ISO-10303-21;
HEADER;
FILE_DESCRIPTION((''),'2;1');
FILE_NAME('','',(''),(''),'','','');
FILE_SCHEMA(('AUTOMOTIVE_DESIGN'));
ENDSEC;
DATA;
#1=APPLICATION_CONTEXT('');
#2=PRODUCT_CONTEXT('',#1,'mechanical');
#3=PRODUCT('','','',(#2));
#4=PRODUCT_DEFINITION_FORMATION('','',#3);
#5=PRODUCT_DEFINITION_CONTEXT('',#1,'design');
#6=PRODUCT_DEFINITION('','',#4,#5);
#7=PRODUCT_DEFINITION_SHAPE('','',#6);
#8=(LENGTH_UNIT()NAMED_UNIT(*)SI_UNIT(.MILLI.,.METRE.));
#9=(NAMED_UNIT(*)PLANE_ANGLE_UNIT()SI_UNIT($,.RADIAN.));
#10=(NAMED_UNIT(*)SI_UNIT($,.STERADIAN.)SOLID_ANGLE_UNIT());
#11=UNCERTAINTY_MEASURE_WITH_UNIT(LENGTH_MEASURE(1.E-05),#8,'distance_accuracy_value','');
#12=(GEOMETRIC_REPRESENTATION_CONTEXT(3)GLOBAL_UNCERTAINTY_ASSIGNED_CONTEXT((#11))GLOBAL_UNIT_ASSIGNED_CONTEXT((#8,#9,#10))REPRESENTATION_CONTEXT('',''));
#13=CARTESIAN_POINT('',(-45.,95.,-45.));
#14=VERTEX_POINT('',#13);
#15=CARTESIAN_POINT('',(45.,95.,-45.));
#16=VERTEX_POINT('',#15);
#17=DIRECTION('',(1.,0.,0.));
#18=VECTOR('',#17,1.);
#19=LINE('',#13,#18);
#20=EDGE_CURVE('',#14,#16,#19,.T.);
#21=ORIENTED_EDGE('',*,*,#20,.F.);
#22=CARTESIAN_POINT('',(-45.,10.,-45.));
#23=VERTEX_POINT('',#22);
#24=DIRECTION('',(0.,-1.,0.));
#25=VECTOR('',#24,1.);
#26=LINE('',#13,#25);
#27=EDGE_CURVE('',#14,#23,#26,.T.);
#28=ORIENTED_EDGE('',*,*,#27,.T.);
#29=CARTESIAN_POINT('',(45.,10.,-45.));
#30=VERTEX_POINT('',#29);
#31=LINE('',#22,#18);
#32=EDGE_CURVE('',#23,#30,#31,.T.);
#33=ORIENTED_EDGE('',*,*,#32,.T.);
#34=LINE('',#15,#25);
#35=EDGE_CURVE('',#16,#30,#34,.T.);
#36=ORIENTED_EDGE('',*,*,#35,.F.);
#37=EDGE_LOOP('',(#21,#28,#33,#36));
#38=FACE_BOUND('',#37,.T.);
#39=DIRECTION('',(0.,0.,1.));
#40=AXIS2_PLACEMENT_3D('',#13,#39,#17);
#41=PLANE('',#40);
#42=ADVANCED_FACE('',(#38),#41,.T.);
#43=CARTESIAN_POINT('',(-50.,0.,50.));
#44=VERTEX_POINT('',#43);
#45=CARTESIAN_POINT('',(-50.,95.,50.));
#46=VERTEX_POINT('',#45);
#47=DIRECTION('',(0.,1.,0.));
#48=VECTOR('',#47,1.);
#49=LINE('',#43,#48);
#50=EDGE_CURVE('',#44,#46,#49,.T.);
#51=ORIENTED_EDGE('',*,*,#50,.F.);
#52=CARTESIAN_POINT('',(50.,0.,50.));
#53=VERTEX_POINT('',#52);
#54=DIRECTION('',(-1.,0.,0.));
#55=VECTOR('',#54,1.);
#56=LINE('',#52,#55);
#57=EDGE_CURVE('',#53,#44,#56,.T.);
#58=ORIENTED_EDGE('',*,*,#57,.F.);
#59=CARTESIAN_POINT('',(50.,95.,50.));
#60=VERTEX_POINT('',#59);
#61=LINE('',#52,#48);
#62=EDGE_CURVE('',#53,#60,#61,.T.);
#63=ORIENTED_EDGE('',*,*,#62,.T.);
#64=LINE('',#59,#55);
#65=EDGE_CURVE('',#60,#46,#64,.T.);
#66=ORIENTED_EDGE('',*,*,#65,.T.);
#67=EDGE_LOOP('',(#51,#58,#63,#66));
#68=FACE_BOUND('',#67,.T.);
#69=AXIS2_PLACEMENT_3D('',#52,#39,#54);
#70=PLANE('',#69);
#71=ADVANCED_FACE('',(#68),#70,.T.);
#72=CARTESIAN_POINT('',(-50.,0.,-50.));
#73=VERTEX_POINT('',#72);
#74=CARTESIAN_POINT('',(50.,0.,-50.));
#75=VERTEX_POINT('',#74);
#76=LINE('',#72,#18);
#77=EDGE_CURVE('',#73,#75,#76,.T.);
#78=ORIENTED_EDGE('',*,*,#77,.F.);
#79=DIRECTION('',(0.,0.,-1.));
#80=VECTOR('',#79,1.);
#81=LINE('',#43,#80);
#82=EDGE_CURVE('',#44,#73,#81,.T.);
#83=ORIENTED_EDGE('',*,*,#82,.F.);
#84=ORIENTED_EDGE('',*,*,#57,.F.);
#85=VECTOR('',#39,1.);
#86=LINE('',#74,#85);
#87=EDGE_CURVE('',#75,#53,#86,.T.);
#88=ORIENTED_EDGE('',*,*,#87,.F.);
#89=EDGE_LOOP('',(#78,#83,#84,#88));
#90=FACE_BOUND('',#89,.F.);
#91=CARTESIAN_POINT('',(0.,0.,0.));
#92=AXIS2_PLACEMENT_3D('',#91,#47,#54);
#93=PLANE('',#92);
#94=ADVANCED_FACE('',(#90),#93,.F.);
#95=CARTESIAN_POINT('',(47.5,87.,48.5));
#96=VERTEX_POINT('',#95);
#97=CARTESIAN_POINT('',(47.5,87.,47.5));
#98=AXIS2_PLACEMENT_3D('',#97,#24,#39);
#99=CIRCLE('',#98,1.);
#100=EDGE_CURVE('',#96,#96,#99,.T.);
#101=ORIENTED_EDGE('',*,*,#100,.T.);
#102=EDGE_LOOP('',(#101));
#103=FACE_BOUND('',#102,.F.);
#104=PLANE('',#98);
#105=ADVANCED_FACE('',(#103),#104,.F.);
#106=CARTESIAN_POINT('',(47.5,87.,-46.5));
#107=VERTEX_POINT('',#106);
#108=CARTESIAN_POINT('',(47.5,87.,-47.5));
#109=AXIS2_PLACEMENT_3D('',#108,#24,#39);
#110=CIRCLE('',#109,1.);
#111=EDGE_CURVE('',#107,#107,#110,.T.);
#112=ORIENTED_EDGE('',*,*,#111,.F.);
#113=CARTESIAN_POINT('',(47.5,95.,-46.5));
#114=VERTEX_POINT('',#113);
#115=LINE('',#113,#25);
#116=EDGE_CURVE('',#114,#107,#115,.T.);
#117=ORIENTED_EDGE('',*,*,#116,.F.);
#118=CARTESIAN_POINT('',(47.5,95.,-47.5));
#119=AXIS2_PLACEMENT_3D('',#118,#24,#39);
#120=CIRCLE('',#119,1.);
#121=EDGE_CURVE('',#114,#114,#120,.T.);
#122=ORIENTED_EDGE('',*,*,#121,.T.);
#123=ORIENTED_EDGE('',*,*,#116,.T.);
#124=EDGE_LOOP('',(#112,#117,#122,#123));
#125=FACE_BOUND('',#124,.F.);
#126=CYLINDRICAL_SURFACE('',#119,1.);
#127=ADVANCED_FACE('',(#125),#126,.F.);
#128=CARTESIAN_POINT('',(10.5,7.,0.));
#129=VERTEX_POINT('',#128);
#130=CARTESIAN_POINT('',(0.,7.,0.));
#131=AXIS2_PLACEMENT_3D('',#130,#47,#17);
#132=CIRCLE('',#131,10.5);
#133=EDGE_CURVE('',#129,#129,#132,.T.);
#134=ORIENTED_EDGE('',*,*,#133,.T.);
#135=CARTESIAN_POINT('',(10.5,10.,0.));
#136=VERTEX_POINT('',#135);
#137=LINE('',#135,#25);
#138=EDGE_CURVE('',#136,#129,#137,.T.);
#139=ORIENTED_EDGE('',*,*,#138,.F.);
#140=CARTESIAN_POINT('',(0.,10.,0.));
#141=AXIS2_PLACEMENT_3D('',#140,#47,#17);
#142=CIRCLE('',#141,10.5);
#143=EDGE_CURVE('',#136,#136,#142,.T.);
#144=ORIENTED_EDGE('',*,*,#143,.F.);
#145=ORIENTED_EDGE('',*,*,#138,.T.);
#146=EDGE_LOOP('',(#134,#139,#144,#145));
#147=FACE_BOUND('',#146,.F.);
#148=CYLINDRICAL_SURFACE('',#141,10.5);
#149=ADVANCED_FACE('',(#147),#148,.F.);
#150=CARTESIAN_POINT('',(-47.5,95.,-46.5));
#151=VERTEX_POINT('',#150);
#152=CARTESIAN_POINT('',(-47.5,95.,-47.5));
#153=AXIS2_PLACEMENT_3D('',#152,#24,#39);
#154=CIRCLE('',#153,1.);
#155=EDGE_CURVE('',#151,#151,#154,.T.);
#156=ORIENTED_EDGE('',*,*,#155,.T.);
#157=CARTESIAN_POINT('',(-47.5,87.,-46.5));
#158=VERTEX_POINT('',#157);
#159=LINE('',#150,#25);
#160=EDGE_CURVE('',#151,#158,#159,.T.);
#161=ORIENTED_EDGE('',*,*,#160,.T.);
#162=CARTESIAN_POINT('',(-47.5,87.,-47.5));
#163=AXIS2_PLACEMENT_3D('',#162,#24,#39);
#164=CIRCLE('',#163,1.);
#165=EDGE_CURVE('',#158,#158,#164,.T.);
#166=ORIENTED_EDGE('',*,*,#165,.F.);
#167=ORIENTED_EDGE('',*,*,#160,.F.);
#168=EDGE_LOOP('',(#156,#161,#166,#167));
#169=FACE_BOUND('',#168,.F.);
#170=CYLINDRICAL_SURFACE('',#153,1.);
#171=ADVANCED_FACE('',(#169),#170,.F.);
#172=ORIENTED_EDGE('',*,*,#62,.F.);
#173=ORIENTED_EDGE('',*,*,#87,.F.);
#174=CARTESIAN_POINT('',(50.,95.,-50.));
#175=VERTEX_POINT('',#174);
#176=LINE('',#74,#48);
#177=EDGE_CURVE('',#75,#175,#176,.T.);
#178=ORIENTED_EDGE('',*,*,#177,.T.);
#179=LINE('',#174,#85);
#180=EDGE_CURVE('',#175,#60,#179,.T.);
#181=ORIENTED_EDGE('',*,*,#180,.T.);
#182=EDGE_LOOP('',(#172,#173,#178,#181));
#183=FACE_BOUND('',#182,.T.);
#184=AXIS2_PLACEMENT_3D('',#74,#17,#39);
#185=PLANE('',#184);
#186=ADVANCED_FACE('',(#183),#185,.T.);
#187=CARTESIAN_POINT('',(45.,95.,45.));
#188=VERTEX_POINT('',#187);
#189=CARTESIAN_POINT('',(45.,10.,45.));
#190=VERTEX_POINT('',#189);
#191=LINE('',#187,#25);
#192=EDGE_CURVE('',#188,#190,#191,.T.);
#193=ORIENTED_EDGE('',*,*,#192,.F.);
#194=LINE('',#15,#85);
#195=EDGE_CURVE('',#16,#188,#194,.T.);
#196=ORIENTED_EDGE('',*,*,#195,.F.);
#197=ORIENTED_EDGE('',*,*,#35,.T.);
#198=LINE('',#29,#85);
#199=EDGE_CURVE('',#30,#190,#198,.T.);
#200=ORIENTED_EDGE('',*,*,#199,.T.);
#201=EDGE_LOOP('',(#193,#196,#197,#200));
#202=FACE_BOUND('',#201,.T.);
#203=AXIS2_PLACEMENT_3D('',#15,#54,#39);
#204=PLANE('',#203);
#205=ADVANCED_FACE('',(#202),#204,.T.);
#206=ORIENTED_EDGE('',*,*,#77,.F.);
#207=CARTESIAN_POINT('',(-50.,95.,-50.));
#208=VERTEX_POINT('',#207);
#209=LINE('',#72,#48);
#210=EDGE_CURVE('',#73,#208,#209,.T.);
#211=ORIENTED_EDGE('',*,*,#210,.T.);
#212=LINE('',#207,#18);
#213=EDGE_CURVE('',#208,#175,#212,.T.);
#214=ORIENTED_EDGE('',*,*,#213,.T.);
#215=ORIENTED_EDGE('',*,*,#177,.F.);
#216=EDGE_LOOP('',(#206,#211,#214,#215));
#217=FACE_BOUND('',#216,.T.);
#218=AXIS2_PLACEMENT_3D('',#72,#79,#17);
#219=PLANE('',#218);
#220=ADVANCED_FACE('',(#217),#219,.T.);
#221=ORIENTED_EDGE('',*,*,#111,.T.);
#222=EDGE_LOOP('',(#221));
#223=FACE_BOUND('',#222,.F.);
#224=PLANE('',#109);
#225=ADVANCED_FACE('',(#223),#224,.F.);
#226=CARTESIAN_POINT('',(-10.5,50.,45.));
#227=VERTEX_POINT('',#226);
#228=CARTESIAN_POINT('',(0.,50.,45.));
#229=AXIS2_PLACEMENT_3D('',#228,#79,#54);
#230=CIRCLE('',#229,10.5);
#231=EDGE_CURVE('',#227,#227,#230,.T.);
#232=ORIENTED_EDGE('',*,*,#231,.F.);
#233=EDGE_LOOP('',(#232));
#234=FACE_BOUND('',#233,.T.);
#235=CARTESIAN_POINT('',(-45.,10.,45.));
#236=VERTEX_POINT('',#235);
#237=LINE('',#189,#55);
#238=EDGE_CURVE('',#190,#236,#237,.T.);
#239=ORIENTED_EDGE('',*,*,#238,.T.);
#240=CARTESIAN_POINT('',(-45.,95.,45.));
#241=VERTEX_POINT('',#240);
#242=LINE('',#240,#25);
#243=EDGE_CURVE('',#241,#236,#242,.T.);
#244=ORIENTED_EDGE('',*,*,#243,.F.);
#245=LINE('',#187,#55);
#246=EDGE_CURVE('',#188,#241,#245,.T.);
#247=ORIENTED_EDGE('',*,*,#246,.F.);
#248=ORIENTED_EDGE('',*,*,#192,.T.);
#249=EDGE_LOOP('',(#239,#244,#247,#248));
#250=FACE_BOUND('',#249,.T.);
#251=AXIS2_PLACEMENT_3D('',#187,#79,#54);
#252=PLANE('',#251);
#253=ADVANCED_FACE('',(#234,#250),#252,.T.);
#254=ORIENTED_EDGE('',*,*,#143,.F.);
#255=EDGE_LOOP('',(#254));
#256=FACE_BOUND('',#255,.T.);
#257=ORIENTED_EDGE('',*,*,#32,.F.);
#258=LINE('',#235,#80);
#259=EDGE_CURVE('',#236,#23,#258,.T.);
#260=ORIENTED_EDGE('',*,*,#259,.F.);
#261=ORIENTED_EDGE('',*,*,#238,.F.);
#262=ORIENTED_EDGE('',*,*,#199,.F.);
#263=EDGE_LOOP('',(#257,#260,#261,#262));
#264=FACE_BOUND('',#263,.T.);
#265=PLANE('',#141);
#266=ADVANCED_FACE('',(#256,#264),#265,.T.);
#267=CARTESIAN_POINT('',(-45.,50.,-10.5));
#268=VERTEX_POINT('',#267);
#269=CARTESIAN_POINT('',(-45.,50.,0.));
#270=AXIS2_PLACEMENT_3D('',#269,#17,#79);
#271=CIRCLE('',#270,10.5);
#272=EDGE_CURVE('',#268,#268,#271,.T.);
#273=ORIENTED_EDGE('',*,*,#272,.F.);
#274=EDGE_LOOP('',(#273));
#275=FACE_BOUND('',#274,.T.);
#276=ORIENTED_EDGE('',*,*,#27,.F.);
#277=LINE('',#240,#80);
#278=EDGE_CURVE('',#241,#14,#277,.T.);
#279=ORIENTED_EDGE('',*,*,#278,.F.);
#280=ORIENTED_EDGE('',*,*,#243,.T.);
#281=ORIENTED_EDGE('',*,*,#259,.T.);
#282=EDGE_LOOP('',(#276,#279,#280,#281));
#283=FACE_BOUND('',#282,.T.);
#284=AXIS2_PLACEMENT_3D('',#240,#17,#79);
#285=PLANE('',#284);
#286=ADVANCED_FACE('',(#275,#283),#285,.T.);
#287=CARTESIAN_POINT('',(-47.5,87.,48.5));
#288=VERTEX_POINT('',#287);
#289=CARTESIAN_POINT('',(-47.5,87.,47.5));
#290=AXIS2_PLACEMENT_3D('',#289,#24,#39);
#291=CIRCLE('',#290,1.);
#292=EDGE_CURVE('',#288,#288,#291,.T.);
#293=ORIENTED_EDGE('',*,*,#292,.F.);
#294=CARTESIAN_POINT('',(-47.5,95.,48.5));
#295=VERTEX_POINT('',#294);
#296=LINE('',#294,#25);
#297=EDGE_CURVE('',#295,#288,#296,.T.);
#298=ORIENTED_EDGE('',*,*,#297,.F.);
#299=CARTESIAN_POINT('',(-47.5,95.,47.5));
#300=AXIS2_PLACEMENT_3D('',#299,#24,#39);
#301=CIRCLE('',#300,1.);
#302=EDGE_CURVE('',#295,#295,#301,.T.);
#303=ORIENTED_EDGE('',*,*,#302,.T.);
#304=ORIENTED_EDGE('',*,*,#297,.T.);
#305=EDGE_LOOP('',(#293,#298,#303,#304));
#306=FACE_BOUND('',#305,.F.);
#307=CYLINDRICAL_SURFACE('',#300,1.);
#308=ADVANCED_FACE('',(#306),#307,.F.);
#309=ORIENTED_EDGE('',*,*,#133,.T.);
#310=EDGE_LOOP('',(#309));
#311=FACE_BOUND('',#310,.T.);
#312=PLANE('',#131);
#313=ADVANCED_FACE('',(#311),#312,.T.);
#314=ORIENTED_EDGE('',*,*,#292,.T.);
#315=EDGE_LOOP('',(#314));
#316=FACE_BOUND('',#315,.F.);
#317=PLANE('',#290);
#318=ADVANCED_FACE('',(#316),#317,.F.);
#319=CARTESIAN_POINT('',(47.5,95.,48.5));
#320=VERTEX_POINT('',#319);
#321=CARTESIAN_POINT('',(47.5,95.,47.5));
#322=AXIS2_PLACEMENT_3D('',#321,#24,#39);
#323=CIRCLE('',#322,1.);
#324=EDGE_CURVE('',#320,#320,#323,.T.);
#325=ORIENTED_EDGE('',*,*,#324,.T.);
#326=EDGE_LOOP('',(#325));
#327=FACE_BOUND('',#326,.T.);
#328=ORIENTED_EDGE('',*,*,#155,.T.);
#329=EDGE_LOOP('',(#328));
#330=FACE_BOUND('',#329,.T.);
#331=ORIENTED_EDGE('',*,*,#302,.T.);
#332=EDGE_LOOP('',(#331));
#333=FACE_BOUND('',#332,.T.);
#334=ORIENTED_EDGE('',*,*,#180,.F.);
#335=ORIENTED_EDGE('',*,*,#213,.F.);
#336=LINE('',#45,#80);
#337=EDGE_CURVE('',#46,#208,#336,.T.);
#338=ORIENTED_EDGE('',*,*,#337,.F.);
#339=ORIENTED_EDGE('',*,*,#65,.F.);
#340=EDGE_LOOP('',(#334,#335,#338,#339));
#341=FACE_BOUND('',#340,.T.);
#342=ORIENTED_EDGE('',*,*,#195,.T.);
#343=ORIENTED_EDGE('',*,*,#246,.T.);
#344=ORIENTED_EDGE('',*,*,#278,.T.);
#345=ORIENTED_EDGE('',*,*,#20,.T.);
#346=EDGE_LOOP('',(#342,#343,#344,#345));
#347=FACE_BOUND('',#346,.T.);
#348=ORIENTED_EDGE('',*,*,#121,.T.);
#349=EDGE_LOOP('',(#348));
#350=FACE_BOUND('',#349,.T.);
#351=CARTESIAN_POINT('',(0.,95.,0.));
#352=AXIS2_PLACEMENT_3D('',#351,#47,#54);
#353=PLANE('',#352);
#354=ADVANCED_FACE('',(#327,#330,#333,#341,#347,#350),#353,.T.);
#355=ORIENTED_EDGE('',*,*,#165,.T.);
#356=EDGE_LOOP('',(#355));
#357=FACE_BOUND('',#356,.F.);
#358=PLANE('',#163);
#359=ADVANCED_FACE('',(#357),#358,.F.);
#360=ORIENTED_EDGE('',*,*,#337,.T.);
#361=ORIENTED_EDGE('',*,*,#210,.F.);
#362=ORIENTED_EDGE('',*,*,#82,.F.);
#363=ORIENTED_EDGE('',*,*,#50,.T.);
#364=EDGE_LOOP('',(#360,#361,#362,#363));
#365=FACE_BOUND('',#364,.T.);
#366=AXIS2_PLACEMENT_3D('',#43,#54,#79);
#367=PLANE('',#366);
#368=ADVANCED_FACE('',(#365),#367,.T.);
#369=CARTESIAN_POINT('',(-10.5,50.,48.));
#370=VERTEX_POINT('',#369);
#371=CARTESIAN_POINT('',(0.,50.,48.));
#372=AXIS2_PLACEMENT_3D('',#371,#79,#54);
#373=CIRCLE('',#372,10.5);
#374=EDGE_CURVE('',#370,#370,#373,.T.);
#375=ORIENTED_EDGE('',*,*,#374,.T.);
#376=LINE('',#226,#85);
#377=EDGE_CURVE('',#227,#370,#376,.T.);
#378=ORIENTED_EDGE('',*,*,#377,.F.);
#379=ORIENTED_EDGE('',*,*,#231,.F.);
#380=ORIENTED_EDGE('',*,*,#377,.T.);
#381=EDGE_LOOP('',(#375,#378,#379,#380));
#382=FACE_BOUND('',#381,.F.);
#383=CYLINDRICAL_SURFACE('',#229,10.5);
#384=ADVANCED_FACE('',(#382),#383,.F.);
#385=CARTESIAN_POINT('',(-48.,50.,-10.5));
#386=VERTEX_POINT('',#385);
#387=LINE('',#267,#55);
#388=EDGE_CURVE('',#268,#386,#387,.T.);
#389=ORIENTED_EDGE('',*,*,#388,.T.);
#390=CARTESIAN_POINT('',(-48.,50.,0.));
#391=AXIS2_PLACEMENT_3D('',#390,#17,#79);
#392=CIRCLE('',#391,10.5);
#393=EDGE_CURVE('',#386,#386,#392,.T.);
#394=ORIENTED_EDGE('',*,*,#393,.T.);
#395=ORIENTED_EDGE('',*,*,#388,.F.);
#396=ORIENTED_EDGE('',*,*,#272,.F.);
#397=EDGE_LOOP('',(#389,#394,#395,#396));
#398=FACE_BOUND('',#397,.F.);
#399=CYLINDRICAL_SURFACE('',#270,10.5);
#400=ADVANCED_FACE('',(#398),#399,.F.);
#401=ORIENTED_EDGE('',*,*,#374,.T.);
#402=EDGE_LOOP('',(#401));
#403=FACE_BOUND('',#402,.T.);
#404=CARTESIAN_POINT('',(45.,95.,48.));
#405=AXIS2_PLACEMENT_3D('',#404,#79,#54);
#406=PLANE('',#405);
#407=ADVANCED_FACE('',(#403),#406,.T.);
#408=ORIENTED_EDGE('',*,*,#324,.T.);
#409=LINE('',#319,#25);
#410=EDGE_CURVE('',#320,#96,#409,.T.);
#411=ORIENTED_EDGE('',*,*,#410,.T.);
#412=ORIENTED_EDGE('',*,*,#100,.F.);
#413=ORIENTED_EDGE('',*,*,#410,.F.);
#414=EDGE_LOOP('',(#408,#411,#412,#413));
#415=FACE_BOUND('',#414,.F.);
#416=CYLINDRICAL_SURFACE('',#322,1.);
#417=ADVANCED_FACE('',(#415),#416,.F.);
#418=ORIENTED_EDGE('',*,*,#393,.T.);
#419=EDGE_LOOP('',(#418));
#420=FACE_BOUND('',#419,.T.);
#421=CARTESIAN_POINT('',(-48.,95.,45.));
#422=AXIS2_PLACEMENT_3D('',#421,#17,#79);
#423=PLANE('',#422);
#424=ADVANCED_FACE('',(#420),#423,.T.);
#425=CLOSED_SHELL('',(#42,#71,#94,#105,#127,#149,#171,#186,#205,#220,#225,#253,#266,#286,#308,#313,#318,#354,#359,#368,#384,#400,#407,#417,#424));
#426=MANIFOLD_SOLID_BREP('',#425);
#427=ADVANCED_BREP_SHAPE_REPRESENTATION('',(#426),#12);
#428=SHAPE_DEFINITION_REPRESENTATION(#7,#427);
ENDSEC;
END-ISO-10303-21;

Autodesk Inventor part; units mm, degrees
ref_plane "YZ Plane" through (0, 0, 0) normal (1, 0, 0) x (0, 1, 0)
ref_plane "XZ Plane" through (0, 0, 0) normal (0, 1, 0) x (-1, 0, 0)
ref_plane "XY Plane" through (0, 0, 0) normal (0, 0, 1) x (1, 0, 0)
sketch "Sketch1" plane through (0, 0, 0) normal (0, 1, 0) x (-1, 0, 0)
  line L0 (50, -50) -> (-50, -50)
  line L1 (-50, -50) -> (-50, 50)
  line L2 (-50, 50) -> (50, 50)
  line L3 (50, 50) -> (50, -50)
  point P0 (0, 0)
  point P1 (0, 0)
  dimension "d0" = 100
  dimension "d1" = 100
  dimension "d2" = 50
extrude "Extrusion1" add sketch "Sketch1" along normal blind 95
sketch "Sketch2" plane through (0, 95, 0) normal (0, 1, 0) x (1, 0, 0)
  line L0 (-45, 45) -> (45, 45)
  line L1 (45, 45) -> (45, -45)
  line L2 (45, -45) -> (-45, -45)
  line L3 (-45, -45) -> (-45, 45)
  line L4 (50, -50) -> (50, 50) projected
  line L5 (-50, 50) -> (-50, -50) projected
  line L6 (-50, -50) -> (50, -50) projected
  line L7 (-50, 50) -> (50, 50) projected
  point P0 (0, 0)
  dimension "d5" = 5
  dimension "d6" = 5
  dimension "d7" = 5
  dimension "d8" = 5
extrude "Extrusion2" cut sketch "Sketch2" against normal blind 85 contours L0 L1 L2 L3
sketch "Sketch3" plane through (0, 95, 0) normal (0, 1, 0) x (1, 0, 0)
  line L0 (50, -50) -> (50, 50) projected
  circle A0 centre (47.5, 47.5) radius 1
  line L1 (-50, 50) -> (50, 50) projected
  line L2 (-50, -50) -> (50, -50) projected
  circle A1 centre (47.5, -47.5) radius 1
  line L3 (-50, 50) -> (-50, -50) projected
  circle A2 centre (-47.5, -47.5) radius 1
  circle A3 centre (-47.5, 47.5) radius 1
  point P0 (0, 0)
  point P1 (47.5, -47.5)
  dimension "d12" = 2.5
  dimension "d13" = 2.5
  dimension "d14" = 2.5
  dimension "d15" = 2.5
  dimension "d16" = 2
  dimension "d17" = 2.5
  dimension "d18" = 2.5
  dimension "d19" = 2.5
  dimension "d20" = 2.5
hole "Hole2" at (47.5, 95, -47.5) at (47.5, 95, 47.5) at (-47.5, 95, 47.5) at (-47.5, 95, -47.5) direction (0, -1, 0) diameter 2 depth 8
sketch "Sketch9" plane through (-45, 95, 45) normal (1, 0, 0) x (0, 0, -1)
  circle A0 centre (45, -45) radius 10.5
  point P0 (45, -95)
  dimension "d66" = 21
extrude "Extrusion4" cut sketch "Sketch9" against normal blind 3
sketch "Sketch10" plane through (0, 10, 0) normal (0, 1, 0) x (1, 0, 0)
  circle A0 centre (0, 0) radius 10.5
  dimension "d69" = 21
extrude "Extrusion5" cut sketch "Sketch10" against normal blind 3
sketch "Sketch11" plane through (45, 95, 45) normal (0, 0, -1) x (-1, 0, 0)
  circle A0 centre (45, -45) radius 10.5
  line L0 (0, 0) -> (0, -85) projected
  line L1 (0, 0) -> (90, 0) projected
  point P0 (45, -95)
  dimension "d72" = 45
  dimension "d73" = 45
  dimension "d74" = 21
extrude "Extrusion6" cut sketch "Sketch11" against normal blind 3
sketch "Sketch13" plane through (0, 50, 48) normal (0, 0, -1) x (-1, 0, 0)
  circle A0 centre (0, 0) radius 1.75
  point P0 (0, -50)
  dimension "d77" = 3.5
properties part number "cubesat"
